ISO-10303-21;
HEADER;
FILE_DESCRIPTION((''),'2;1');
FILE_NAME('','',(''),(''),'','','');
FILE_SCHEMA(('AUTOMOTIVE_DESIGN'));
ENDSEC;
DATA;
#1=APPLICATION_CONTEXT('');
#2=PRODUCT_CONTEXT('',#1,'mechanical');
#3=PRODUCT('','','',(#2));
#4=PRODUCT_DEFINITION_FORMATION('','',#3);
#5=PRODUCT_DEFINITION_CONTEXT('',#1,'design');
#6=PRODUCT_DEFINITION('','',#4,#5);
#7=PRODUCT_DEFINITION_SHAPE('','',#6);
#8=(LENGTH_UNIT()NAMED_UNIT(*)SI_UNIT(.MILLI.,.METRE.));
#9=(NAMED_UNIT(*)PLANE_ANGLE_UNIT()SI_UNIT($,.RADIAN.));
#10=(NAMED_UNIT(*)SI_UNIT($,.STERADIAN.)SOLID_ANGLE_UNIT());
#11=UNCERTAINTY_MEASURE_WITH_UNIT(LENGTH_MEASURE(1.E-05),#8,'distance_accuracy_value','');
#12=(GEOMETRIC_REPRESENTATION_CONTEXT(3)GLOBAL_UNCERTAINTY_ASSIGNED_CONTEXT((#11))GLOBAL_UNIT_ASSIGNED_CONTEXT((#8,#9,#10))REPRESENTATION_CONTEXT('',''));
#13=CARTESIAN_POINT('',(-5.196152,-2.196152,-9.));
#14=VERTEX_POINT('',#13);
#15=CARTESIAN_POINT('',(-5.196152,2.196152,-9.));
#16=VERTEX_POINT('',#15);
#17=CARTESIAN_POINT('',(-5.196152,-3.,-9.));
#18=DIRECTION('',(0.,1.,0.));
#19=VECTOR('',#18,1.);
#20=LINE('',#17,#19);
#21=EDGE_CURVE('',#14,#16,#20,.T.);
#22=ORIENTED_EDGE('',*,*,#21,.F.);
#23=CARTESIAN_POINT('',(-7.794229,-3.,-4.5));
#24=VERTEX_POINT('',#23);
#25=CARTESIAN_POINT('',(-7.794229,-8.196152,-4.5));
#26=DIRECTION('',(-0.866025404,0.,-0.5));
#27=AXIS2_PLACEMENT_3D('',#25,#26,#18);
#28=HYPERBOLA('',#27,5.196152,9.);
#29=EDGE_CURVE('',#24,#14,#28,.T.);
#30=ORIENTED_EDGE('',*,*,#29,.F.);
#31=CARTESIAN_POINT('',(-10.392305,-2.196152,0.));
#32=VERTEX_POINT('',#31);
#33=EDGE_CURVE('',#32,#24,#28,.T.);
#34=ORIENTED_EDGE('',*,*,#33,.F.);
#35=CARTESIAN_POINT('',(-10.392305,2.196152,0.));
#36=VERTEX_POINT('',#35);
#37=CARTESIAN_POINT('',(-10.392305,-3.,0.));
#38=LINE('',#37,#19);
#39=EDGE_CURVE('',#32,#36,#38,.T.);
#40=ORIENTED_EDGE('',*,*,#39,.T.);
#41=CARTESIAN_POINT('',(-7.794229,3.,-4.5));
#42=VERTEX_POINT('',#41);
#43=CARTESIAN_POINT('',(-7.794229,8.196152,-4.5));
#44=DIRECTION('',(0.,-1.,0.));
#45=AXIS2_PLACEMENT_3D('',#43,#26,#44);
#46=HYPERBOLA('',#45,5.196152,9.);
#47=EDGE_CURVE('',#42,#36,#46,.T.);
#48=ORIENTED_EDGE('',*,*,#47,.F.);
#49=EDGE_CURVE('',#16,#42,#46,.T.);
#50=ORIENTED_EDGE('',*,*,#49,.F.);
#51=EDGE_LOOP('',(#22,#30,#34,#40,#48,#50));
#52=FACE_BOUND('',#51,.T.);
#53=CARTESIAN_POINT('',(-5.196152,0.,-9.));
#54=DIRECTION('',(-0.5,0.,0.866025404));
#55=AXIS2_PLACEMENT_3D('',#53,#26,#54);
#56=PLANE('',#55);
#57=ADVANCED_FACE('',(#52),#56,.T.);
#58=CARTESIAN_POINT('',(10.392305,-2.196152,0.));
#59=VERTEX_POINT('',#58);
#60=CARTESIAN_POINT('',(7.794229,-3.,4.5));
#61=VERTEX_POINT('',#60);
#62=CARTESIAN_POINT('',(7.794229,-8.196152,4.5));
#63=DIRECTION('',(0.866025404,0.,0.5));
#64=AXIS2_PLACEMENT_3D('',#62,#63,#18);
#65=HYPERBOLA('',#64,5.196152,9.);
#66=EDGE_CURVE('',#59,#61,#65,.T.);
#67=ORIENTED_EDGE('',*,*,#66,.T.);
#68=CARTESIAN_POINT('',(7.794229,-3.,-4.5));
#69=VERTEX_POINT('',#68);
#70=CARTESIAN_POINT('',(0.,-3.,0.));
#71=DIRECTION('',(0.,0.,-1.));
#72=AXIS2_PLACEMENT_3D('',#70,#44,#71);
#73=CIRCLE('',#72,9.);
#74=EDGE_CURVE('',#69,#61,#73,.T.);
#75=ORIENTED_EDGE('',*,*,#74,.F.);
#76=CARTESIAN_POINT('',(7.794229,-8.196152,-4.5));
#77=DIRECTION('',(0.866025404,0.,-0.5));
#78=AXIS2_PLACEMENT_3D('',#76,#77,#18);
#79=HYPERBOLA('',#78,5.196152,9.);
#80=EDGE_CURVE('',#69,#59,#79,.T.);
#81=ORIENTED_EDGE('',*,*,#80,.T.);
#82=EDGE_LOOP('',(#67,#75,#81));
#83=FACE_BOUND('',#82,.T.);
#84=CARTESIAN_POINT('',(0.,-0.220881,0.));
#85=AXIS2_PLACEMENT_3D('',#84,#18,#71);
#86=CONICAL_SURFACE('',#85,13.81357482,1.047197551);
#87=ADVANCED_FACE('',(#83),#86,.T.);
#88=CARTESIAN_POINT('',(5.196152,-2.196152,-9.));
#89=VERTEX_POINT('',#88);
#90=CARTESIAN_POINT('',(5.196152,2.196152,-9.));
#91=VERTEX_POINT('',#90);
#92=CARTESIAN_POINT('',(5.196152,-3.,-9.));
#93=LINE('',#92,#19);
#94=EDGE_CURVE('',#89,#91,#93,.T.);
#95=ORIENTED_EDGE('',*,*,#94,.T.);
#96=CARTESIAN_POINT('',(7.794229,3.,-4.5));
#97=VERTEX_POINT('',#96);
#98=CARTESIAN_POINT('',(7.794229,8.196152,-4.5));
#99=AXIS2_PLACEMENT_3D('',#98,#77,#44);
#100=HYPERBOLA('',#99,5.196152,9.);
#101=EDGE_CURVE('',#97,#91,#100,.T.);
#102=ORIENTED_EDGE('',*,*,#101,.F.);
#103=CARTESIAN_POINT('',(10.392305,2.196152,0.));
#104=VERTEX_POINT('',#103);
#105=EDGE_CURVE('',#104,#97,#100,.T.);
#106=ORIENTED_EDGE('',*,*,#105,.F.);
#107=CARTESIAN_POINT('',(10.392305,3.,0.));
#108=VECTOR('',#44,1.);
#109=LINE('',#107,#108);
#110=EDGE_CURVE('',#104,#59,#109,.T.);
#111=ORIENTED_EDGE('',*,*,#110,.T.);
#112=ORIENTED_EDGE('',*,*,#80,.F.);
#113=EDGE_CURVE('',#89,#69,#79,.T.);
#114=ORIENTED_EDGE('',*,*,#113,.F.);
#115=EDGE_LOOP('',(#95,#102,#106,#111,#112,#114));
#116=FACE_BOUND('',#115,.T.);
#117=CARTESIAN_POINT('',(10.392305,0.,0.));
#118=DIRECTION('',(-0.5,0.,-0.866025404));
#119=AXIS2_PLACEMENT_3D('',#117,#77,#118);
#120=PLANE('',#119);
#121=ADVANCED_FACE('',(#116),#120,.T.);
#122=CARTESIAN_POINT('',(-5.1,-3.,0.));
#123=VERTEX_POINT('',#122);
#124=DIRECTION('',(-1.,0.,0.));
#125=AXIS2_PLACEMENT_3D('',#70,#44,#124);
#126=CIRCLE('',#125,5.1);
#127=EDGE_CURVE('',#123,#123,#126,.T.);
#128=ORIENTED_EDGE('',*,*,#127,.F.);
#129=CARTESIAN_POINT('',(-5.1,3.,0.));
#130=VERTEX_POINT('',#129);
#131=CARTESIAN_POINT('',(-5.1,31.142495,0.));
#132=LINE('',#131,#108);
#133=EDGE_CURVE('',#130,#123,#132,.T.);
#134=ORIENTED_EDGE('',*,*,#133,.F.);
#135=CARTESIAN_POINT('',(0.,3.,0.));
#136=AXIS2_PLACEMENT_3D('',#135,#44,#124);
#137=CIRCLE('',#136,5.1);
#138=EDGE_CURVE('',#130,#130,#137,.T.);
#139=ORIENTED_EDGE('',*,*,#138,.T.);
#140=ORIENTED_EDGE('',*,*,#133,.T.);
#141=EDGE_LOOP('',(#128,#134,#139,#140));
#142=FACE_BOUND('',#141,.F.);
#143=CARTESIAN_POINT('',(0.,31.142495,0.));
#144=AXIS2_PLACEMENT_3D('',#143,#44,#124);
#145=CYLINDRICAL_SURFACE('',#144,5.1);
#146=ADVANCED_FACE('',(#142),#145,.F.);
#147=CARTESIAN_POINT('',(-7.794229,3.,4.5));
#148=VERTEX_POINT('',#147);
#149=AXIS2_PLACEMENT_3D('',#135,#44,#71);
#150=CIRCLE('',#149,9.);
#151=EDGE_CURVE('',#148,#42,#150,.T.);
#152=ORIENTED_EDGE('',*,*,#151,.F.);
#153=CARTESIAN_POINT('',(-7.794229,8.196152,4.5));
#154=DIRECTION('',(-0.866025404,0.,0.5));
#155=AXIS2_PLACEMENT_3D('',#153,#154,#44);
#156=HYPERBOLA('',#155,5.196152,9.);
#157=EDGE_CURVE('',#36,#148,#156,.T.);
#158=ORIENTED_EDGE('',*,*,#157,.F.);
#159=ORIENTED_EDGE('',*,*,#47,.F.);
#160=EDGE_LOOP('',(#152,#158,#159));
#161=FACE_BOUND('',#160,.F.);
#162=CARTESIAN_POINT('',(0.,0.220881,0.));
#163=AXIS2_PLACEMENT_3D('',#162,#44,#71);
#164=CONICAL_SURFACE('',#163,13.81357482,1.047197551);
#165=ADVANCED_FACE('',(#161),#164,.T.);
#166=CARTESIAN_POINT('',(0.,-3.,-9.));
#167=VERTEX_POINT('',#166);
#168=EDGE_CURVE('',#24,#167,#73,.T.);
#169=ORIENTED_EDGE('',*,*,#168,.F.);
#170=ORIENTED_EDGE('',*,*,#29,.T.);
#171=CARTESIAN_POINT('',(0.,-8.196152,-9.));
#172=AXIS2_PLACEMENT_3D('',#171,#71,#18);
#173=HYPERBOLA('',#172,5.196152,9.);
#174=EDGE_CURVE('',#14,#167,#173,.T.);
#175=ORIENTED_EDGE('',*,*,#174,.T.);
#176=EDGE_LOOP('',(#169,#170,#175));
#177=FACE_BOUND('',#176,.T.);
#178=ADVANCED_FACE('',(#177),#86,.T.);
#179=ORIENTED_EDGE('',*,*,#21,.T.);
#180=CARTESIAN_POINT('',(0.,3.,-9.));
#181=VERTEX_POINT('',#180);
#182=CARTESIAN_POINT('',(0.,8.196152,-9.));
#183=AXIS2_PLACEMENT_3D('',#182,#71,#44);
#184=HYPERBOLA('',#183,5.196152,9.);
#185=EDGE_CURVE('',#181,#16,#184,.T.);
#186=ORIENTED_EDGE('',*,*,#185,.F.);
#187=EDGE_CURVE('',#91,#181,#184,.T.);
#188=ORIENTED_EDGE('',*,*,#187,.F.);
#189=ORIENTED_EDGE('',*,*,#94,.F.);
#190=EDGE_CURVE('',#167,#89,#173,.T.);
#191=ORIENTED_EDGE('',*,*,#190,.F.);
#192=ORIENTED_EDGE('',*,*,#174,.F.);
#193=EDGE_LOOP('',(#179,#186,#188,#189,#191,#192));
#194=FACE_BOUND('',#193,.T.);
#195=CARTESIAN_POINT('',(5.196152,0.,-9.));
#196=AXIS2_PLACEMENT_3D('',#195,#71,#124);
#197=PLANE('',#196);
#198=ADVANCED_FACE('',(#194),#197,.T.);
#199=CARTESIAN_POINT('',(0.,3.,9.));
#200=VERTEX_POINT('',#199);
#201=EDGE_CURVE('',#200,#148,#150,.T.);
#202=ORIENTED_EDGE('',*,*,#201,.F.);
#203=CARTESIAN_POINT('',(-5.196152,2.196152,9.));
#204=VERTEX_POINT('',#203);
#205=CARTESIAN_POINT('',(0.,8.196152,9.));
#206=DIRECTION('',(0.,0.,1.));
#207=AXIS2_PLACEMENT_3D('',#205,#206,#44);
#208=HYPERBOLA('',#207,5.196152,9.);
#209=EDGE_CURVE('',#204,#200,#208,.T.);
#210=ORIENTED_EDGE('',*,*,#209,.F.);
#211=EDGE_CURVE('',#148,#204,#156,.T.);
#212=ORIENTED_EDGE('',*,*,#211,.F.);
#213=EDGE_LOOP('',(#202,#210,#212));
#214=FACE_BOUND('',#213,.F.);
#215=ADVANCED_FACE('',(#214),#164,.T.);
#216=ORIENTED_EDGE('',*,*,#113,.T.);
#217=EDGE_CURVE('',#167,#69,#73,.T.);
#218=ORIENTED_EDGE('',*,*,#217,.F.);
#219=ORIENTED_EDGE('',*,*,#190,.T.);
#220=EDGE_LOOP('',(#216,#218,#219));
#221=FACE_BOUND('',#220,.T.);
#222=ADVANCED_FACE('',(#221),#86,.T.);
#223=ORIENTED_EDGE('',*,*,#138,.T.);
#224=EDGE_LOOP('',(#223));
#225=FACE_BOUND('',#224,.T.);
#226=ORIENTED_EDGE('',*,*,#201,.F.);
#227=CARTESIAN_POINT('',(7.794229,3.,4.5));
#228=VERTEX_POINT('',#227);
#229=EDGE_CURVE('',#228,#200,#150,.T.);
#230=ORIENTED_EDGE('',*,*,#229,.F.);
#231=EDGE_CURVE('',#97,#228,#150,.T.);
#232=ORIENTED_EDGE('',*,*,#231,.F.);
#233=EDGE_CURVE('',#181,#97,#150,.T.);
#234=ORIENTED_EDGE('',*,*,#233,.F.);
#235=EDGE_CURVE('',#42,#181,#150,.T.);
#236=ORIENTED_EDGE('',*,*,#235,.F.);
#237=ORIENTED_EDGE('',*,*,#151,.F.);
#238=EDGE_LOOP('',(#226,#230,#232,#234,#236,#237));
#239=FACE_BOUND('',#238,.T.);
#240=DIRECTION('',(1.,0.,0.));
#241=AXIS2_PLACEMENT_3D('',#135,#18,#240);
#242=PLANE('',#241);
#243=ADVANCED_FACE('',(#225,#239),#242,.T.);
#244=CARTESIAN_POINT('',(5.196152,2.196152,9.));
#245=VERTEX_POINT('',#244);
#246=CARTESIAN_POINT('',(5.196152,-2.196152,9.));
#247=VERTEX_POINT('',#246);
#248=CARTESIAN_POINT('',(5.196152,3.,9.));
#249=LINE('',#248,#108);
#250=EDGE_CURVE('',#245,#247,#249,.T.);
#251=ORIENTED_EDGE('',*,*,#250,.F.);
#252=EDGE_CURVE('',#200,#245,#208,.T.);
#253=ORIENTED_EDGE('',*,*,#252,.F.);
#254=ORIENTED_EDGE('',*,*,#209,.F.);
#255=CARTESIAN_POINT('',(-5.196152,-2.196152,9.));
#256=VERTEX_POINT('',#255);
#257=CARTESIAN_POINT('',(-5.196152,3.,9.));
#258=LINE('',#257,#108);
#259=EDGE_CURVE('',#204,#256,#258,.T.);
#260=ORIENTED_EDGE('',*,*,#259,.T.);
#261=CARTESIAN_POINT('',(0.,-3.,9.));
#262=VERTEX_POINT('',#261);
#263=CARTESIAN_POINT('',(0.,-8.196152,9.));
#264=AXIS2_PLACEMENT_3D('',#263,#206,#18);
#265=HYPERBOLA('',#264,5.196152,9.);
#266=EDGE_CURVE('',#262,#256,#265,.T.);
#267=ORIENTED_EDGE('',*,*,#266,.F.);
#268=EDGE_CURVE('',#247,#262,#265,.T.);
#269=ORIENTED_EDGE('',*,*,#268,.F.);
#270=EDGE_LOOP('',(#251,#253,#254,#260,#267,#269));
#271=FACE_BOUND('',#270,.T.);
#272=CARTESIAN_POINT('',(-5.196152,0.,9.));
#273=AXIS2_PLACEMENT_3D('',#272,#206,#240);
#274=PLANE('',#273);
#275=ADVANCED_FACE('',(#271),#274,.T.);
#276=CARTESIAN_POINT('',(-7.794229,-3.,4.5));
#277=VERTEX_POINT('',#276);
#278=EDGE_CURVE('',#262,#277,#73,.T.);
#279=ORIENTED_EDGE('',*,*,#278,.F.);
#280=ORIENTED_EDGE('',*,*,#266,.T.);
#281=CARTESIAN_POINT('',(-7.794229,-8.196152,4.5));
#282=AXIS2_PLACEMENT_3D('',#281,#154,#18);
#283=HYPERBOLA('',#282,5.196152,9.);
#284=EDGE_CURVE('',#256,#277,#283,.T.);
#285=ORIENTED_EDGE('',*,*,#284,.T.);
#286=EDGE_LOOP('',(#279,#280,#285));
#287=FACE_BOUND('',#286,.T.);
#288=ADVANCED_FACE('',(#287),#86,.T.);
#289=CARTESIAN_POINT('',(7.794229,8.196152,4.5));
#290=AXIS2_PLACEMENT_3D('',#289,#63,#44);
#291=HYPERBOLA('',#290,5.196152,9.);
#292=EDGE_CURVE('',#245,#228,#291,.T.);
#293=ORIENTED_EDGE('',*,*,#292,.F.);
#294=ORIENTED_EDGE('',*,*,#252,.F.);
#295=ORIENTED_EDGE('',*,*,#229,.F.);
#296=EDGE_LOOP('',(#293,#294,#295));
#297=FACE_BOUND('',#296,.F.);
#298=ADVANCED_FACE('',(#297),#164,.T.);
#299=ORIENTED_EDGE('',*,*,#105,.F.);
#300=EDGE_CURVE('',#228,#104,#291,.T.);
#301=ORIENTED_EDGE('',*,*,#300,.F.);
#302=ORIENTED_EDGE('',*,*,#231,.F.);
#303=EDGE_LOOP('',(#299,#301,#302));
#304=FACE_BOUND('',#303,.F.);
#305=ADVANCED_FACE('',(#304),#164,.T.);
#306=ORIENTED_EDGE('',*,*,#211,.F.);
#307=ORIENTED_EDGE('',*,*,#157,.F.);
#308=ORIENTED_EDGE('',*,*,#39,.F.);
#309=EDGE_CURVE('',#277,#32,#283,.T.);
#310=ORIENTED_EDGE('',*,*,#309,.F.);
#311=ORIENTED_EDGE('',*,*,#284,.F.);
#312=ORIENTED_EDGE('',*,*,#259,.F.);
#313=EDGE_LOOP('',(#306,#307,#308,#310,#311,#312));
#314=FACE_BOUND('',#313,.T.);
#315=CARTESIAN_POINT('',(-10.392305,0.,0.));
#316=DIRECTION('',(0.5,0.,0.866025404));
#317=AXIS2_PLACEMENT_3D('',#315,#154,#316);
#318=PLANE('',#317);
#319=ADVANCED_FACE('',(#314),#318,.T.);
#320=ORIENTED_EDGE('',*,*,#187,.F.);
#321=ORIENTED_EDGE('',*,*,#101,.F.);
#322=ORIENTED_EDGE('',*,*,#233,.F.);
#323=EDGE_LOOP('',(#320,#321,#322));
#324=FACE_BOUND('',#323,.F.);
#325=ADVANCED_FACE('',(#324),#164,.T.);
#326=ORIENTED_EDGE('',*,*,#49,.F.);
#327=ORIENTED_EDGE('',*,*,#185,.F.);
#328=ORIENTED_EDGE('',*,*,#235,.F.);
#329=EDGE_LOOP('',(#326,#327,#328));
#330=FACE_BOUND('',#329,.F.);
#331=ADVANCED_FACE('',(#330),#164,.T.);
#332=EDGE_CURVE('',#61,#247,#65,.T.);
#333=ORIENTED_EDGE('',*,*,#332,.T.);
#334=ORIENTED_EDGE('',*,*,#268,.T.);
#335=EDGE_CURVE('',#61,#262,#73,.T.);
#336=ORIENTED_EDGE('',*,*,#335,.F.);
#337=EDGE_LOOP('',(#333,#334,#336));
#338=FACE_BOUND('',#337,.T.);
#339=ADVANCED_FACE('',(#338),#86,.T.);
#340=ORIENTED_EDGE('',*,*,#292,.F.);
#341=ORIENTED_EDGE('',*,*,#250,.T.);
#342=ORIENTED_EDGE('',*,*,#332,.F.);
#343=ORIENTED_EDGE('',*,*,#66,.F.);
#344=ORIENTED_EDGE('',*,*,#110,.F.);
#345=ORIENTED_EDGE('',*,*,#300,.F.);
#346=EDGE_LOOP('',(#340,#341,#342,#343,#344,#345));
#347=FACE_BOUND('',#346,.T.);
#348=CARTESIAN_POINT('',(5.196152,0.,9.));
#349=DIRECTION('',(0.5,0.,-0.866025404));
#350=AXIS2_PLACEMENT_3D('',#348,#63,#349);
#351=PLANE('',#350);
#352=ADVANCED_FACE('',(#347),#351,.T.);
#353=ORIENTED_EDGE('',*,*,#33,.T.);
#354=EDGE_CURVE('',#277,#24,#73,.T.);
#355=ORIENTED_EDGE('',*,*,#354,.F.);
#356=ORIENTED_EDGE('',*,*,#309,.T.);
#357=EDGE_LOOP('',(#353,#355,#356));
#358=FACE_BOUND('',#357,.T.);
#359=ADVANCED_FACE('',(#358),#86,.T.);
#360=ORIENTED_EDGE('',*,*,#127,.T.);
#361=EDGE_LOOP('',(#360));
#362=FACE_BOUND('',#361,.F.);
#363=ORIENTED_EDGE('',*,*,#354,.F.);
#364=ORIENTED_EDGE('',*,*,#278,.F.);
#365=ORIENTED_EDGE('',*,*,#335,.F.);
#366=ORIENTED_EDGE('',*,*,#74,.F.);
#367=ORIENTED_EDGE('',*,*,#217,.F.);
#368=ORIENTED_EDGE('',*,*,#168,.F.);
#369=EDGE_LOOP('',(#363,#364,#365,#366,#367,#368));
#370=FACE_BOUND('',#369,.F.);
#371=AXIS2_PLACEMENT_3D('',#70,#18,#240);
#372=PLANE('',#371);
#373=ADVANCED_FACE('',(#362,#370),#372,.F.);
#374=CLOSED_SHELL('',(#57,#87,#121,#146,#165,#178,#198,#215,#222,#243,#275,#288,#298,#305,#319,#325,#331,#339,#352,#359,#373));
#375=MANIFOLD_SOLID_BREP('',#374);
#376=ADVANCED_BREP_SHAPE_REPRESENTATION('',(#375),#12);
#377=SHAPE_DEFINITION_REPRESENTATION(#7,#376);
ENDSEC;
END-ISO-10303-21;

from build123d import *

# Parameters (mm, degrees)
BOSS_EXTRUDE1_DEPTH     = 3
M12X1_75_TAPPED_HOLE1_D = 10.2


with BuildPart() as part:
    # Sketch1 → Boss-Extrude1 (new, symmetric)
    with BuildSketch(Plane(origin=(0, 0, 0), x_dir=(1, 0, 0), z_dir=(0, 1, 0))):
        Polygon((10.392304845, 0), (5.196152423, 9), (-5.196152423, 9), (-10.392304845, 0), (-5.196152423, -9), (5.196152423, -9), align=None)
    extrude(amount=BOSS_EXTRUDE1_DEPTH, both=True)

    # Sketch2 → Cut-Revolve1 (revolve, cut)
    with BuildSketch(Plane(origin=(0, 0, 0), x_dir=(0, 0, -1), z_dir=(1, 0, 0))):
        Polygon((9, 3), (13.81357482, 3), (13.81357482, 0.220881282), align=None)
    cut_revolve1 = revolve(axis=Axis((0, 0, 0), (0, -1, 0)), mode=Mode.SUBTRACT)

    # Mirror1: Cut-Revolve1 across plane
    add(cut_revolve1.mirror(Plane.ZX), mode=Mode.SUBTRACT)

    # M12x1.75 Tapped Hole1 (through all)
    with Locations(Plane(origin=(0, 3, 0), x_dir=(1, 0, 0), z_dir=(0, 1, 0))):
        with Locations((0, 0)):
            Hole(M12X1_75_TAPPED_HOLE1_D / 2)


solid = part.part
